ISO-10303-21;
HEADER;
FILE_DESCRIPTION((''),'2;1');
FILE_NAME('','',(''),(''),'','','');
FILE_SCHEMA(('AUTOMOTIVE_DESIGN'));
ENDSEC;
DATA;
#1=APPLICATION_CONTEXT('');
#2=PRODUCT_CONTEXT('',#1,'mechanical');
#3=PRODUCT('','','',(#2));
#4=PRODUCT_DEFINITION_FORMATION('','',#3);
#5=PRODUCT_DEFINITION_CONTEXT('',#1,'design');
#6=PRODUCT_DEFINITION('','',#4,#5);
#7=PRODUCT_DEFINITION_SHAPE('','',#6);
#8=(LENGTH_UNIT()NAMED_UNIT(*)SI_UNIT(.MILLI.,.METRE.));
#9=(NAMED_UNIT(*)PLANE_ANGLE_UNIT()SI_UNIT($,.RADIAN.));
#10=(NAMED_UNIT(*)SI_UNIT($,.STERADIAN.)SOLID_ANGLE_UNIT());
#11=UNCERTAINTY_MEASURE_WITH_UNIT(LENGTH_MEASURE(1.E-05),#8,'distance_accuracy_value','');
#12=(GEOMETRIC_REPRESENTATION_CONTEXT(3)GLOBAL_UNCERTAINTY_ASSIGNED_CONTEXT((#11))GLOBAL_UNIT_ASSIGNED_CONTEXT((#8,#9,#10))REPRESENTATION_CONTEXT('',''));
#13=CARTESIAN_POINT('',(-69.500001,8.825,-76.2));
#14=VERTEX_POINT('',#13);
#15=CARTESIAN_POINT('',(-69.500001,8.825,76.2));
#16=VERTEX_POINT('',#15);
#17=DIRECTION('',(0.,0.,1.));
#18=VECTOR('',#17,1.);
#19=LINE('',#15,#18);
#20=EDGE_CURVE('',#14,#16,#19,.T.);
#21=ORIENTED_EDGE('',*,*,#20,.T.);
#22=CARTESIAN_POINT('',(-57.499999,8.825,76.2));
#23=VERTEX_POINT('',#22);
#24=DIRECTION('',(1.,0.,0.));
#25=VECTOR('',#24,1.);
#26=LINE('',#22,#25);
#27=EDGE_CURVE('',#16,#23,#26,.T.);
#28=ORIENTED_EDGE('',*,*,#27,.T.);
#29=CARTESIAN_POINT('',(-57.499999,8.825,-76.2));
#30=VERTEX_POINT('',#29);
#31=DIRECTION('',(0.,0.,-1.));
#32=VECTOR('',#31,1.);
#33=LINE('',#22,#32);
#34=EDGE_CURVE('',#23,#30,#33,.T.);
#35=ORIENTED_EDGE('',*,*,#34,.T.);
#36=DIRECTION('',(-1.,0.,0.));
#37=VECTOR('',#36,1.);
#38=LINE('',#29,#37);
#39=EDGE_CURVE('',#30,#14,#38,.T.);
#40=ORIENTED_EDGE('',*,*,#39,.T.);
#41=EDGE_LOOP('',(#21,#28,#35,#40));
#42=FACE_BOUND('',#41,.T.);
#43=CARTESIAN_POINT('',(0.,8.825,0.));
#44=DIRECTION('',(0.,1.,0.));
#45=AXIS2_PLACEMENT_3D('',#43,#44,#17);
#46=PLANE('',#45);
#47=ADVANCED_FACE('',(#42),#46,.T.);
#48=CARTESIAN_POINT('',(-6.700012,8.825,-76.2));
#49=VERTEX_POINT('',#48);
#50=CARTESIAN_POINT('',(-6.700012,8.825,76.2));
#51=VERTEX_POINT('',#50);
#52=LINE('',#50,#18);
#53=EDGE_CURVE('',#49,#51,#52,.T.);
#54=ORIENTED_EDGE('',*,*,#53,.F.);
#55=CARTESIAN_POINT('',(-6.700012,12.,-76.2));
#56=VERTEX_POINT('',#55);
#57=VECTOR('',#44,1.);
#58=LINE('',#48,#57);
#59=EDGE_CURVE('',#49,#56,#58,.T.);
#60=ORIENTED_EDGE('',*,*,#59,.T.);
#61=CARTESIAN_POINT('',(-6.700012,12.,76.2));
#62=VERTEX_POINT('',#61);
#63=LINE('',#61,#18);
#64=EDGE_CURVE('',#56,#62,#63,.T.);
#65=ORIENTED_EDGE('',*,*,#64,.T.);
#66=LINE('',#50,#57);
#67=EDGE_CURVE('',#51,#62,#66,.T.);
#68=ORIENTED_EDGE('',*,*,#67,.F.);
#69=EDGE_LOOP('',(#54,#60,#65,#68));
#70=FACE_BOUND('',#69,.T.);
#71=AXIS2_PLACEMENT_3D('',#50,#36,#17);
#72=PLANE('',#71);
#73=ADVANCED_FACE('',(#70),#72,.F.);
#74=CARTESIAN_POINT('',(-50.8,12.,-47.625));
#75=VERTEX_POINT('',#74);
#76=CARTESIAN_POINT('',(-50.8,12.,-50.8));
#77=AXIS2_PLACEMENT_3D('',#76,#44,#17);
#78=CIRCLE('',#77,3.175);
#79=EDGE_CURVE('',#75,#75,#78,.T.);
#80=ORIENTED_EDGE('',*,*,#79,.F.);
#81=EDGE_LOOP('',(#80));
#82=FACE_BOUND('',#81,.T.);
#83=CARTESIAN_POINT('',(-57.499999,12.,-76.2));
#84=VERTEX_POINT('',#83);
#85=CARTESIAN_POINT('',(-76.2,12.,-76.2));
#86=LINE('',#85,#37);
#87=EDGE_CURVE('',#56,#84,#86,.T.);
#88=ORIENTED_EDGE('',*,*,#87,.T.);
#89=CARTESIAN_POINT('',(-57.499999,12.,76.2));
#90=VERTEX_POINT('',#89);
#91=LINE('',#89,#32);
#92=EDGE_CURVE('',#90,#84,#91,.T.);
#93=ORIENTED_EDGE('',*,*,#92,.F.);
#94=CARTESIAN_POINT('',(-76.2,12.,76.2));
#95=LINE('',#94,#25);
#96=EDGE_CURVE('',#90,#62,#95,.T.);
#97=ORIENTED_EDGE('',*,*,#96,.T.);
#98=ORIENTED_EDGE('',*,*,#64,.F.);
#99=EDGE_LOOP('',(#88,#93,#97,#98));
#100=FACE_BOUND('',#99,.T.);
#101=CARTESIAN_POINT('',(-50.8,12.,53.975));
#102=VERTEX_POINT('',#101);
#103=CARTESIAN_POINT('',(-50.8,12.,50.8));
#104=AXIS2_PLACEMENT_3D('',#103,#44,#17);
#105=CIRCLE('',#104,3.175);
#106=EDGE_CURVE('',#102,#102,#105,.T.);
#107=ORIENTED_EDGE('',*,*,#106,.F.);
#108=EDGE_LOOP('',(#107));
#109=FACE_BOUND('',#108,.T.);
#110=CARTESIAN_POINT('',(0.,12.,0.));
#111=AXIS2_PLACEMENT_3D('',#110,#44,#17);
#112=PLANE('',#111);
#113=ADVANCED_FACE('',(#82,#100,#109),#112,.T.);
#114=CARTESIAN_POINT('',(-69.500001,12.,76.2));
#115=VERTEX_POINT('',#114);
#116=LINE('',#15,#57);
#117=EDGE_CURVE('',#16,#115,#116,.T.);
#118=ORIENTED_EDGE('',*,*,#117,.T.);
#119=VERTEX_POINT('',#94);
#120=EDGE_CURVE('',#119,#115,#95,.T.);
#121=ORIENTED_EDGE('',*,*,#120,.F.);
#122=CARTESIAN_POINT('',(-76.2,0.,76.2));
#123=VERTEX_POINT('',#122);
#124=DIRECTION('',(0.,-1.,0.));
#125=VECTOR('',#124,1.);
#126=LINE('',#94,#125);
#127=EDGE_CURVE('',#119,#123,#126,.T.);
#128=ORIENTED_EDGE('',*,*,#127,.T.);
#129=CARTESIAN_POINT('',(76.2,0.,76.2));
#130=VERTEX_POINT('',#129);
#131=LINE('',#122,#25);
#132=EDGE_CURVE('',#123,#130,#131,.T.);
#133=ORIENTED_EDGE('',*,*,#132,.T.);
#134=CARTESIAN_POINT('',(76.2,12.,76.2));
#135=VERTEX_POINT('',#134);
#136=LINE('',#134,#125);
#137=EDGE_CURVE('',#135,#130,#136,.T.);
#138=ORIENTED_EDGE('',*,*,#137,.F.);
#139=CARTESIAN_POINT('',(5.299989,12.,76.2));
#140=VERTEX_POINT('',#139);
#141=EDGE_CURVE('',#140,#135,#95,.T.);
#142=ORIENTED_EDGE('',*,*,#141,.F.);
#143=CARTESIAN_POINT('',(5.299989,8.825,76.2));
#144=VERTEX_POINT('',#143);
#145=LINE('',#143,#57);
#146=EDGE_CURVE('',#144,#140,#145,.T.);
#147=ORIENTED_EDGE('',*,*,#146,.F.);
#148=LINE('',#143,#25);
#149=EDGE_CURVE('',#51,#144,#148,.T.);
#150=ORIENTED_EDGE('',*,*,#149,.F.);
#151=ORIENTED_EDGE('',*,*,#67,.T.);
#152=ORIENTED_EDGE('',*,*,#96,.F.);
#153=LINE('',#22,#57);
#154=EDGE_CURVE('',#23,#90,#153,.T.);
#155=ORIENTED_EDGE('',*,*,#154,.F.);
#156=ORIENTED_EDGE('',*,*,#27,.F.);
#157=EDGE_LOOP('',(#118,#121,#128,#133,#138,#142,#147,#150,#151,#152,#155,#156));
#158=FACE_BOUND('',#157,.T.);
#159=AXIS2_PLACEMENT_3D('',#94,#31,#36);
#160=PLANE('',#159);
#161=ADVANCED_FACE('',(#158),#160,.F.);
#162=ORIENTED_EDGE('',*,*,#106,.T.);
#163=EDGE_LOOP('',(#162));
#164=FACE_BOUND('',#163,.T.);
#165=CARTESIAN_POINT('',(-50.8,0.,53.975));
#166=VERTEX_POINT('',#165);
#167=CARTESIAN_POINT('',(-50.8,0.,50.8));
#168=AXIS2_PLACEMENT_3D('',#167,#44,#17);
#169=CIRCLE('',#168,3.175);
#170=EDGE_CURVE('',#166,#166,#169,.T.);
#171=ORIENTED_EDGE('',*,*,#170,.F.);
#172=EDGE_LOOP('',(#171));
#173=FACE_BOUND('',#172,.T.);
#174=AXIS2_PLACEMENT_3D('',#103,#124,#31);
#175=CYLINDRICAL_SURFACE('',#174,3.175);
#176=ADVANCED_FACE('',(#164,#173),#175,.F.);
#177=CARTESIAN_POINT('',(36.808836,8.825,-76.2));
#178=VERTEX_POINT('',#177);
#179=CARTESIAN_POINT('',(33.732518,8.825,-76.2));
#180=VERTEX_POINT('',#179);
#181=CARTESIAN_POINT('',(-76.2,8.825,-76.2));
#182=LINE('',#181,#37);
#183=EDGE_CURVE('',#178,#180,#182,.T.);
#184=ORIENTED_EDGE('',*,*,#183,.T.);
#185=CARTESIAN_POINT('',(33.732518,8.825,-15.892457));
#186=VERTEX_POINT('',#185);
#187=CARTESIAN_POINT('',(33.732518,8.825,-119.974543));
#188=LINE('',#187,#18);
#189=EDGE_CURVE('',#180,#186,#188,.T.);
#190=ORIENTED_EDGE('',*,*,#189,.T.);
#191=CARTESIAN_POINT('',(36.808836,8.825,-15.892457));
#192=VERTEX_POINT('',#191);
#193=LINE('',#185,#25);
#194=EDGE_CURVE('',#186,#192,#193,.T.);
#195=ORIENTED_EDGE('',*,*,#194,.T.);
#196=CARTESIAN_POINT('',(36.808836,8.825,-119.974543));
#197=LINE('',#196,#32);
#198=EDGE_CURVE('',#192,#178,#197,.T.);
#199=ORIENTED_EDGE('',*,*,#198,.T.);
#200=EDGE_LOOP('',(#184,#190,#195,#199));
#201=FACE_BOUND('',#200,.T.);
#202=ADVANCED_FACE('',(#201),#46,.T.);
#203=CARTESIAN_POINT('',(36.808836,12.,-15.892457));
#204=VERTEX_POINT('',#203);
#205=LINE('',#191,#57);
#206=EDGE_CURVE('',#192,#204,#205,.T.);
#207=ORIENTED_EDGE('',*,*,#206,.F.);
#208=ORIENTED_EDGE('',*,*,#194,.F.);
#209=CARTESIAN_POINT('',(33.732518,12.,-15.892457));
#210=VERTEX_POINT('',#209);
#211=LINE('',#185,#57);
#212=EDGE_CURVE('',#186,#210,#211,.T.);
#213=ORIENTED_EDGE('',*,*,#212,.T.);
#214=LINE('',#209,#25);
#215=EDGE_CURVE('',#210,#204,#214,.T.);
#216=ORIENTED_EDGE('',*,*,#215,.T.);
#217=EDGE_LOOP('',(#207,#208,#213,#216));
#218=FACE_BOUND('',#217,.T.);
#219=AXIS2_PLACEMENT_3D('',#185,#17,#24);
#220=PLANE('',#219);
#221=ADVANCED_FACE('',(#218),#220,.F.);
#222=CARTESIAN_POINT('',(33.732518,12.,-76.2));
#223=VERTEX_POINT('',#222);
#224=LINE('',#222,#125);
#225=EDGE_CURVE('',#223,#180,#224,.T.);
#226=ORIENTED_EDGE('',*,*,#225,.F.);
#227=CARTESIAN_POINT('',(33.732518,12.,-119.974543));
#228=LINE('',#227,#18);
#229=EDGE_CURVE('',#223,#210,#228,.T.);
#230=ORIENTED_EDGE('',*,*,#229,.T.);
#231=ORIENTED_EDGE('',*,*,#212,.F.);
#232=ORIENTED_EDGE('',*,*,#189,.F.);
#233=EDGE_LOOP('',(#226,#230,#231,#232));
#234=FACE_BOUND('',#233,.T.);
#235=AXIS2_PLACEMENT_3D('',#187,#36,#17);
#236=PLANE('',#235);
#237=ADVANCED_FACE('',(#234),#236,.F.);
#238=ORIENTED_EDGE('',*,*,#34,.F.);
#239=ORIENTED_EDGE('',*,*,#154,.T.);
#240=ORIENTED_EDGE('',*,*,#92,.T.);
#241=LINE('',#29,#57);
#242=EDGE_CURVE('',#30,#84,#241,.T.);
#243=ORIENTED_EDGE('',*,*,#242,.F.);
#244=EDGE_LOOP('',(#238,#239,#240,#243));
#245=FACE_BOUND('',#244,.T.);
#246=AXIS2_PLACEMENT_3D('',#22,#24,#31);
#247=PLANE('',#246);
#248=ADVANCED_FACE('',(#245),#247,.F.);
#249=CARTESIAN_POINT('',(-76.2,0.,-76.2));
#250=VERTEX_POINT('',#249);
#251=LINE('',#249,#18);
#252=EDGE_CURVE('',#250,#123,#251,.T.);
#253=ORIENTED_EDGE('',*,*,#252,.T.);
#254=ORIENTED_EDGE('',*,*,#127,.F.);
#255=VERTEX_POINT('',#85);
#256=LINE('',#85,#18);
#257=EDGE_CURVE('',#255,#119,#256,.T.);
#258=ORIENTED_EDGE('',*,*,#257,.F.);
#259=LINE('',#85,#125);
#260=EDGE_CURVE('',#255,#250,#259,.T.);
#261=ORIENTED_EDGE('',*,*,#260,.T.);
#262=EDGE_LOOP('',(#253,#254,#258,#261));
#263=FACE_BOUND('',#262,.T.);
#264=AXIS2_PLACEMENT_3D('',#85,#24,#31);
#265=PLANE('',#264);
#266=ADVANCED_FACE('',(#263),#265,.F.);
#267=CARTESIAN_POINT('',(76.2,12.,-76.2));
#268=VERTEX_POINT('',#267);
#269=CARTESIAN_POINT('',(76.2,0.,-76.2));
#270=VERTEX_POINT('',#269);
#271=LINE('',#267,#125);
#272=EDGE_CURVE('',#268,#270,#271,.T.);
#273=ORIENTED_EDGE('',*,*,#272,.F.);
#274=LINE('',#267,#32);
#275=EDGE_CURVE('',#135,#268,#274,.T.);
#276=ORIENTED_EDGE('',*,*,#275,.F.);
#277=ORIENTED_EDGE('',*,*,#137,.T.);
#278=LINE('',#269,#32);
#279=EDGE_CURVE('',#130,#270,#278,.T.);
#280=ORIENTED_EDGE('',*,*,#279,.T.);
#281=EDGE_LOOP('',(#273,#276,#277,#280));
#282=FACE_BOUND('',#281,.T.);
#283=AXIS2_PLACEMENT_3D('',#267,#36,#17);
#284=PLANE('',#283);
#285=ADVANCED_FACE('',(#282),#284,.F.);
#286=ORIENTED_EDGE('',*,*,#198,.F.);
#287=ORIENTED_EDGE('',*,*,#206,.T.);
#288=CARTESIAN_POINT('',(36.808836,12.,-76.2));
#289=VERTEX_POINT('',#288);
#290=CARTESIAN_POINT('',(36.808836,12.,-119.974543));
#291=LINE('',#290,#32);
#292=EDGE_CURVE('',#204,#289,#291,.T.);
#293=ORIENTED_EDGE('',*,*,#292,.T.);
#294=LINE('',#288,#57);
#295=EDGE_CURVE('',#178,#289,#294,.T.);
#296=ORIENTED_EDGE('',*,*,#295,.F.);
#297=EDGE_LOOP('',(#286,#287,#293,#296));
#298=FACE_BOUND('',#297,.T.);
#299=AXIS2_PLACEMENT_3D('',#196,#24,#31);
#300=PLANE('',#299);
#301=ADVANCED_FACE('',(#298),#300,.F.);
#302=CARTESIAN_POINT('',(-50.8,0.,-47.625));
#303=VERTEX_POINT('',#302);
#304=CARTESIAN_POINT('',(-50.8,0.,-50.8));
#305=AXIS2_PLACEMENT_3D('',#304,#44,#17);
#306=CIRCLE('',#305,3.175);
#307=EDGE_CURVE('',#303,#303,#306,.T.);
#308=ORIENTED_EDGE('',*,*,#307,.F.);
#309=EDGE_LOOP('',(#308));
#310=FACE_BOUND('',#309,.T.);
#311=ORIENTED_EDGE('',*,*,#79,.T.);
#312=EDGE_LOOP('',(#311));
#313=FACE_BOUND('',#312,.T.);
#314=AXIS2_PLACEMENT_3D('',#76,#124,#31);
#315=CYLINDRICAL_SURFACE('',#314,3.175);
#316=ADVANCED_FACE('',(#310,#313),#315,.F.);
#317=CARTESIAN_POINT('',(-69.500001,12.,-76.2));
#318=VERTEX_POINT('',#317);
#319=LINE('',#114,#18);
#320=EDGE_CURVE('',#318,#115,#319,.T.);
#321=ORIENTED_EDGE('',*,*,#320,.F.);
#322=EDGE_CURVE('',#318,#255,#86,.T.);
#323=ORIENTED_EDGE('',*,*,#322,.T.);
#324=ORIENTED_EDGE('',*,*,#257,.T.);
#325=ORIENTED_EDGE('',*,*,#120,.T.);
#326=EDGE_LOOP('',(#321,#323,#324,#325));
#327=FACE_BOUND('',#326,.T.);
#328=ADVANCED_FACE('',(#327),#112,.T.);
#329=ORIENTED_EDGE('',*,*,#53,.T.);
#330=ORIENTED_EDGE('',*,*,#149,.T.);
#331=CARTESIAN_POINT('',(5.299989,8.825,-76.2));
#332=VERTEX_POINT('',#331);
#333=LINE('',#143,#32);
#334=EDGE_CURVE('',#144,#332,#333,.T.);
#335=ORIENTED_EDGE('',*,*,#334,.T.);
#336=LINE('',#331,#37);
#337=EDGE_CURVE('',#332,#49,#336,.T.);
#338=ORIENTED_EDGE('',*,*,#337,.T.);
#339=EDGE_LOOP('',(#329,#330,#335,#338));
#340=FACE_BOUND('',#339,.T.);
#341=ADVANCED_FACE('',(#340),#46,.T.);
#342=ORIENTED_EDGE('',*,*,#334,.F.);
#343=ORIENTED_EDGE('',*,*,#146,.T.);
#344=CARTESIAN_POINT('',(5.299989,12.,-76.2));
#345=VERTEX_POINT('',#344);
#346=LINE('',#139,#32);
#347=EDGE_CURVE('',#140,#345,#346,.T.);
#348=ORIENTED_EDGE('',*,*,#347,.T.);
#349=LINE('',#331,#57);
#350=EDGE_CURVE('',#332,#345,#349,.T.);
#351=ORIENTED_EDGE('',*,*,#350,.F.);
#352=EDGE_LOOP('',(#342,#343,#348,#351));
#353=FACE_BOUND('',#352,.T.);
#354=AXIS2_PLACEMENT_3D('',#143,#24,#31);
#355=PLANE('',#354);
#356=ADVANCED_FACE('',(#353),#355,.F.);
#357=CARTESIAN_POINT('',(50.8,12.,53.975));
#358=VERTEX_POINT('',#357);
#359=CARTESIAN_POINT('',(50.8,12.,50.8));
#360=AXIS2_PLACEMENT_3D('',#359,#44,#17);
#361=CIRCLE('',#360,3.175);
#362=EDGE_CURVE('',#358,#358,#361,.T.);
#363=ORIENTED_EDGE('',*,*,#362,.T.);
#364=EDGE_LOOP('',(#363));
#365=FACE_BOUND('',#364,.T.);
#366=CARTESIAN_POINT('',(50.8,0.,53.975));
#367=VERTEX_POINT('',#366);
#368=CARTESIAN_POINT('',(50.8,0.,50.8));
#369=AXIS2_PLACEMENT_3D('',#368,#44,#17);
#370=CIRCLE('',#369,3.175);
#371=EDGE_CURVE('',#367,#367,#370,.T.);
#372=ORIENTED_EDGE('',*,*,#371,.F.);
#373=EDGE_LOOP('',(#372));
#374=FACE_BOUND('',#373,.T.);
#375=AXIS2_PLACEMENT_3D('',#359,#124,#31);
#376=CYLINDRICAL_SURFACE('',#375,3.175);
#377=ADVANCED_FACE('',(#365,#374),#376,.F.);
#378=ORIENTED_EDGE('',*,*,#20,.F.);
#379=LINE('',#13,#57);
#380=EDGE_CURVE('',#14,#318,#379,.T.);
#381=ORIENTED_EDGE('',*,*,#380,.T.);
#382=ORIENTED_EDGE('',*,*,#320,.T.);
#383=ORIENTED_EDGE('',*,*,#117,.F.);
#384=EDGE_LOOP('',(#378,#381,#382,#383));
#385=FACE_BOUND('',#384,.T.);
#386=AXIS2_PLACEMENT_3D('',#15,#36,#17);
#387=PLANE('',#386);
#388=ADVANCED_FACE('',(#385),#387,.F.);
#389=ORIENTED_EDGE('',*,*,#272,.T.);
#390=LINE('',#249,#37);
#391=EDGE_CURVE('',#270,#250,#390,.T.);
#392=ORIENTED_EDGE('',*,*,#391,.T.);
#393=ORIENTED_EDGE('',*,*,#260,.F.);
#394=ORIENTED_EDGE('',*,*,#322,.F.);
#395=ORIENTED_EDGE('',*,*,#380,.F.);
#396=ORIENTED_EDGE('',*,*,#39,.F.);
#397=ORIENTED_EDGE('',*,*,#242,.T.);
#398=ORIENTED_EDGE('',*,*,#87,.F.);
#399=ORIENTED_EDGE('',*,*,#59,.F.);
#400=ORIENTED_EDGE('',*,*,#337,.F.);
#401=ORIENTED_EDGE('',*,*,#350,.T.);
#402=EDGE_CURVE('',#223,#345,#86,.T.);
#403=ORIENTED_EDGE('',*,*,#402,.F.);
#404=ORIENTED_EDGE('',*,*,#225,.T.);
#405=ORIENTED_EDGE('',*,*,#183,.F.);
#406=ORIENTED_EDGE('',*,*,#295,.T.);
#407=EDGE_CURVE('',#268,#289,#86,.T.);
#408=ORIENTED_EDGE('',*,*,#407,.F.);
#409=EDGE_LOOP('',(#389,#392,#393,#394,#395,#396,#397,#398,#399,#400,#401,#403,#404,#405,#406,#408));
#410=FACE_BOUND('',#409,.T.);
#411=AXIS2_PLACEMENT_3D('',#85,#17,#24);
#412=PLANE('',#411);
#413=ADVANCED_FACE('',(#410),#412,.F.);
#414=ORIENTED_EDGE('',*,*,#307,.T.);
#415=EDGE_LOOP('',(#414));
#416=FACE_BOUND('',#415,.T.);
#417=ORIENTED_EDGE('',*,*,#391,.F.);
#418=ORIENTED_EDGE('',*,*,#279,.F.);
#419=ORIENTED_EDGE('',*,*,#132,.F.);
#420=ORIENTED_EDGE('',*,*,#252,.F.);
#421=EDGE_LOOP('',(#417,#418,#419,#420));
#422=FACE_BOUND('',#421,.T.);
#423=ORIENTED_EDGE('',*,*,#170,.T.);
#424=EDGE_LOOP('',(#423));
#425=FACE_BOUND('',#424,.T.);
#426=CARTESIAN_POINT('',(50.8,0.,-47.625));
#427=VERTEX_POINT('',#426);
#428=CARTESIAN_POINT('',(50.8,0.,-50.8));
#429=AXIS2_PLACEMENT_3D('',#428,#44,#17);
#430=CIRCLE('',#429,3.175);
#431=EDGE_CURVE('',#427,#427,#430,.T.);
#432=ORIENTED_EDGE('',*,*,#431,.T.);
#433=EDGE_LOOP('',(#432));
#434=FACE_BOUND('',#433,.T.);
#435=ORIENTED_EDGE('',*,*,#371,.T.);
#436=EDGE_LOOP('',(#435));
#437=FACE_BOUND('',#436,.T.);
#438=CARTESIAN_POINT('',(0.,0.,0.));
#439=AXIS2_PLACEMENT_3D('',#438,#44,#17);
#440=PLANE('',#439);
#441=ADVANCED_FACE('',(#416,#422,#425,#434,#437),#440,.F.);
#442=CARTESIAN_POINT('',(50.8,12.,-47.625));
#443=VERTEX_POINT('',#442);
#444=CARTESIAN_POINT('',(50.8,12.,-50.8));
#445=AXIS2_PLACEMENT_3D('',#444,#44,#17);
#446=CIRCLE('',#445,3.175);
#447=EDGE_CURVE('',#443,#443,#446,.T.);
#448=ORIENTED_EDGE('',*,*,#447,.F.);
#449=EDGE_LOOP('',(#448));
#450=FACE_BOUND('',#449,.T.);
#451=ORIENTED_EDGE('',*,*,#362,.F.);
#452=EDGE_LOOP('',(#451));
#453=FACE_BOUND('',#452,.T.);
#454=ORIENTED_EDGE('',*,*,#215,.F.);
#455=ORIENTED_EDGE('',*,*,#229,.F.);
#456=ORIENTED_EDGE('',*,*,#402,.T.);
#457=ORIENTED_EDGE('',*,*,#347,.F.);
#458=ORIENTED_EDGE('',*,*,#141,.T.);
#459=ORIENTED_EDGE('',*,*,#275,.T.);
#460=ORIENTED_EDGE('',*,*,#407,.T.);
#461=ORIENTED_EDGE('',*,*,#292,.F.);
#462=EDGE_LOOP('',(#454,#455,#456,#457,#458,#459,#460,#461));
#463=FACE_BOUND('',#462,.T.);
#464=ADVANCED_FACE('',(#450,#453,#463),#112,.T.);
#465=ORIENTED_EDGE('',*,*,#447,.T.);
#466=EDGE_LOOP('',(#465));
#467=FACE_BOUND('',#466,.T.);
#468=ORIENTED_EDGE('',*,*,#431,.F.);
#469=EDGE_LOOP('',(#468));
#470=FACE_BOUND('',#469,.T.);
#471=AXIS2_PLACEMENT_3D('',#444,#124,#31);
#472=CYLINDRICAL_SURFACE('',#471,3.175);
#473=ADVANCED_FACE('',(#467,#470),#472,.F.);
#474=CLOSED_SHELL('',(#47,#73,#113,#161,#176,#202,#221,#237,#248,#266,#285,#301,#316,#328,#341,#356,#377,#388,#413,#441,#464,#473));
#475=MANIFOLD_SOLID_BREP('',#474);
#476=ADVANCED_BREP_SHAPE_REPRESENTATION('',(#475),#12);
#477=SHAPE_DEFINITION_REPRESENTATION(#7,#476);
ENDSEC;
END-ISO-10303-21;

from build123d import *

# Parameters (mm, degrees)
SKETCH1_W           = 152.4
SKETCH1_H           = 152.4
SKETCH1_R           = 3.175
BOSS_EXTRUDE1_DEPTH = 12
SKETCH2_W           = 12.0000014
SKETCH2_H           = 152.4
SKETCH2_W_2         = 3.076317806
SKETCH2_H_2         = 104.082085775
CUT_EXTRUDE1_DEPTH  = 3.175


with BuildPart() as part:
    # Sketch1 → Boss-Extrude1 (new body)
    with BuildSketch(Plane(origin=(0, 0, 0), x_dir=(1, 0, 0), z_dir=(0, 1, 0))):
        Rectangle(SKETCH1_W, SKETCH1_H)
        with Locations(Location((-50.8, 50.8, 0), (0, 0, 270))):
            Circle(SKETCH1_R, mode=Mode.SUBTRACT)
        with Locations(Location((50.8, 50.8, 0), (0, 0, 270))):
            Circle(SKETCH1_R, mode=Mode.SUBTRACT)
        with Locations(Location((-50.8, -50.8, 0), (0, 0, 270))):
            Circle(SKETCH1_R, mode=Mode.SUBTRACT)
        with Locations(Location((50.8, -50.8, 0), (0, 0, 270))):
            Circle(SKETCH1_R, mode=Mode.SUBTRACT)
    extrude(amount=BOSS_EXTRUDE1_DEPTH)

    # Sketch2 → Cut-Extrude1 (cut)
    with BuildSketch(Plane(origin=(0, 12, 0), x_dir=(1, 0, 0), z_dir=(0, 1, 0))):
        with Locations((-63.5, 0)):
            Rectangle(SKETCH2_W, SKETCH2_H)
        with Locations((-0.7000113, 0)):
            Rectangle(SKETCH2_W, SKETCH2_H)
        with Locations((35.270676847, 67.933500252)):
            Rectangle(SKETCH2_W_2, SKETCH2_H_2)
    extrude(amount=-CUT_EXTRUDE1_DEPTH, mode=Mode.SUBTRACT)


solid = part.part
